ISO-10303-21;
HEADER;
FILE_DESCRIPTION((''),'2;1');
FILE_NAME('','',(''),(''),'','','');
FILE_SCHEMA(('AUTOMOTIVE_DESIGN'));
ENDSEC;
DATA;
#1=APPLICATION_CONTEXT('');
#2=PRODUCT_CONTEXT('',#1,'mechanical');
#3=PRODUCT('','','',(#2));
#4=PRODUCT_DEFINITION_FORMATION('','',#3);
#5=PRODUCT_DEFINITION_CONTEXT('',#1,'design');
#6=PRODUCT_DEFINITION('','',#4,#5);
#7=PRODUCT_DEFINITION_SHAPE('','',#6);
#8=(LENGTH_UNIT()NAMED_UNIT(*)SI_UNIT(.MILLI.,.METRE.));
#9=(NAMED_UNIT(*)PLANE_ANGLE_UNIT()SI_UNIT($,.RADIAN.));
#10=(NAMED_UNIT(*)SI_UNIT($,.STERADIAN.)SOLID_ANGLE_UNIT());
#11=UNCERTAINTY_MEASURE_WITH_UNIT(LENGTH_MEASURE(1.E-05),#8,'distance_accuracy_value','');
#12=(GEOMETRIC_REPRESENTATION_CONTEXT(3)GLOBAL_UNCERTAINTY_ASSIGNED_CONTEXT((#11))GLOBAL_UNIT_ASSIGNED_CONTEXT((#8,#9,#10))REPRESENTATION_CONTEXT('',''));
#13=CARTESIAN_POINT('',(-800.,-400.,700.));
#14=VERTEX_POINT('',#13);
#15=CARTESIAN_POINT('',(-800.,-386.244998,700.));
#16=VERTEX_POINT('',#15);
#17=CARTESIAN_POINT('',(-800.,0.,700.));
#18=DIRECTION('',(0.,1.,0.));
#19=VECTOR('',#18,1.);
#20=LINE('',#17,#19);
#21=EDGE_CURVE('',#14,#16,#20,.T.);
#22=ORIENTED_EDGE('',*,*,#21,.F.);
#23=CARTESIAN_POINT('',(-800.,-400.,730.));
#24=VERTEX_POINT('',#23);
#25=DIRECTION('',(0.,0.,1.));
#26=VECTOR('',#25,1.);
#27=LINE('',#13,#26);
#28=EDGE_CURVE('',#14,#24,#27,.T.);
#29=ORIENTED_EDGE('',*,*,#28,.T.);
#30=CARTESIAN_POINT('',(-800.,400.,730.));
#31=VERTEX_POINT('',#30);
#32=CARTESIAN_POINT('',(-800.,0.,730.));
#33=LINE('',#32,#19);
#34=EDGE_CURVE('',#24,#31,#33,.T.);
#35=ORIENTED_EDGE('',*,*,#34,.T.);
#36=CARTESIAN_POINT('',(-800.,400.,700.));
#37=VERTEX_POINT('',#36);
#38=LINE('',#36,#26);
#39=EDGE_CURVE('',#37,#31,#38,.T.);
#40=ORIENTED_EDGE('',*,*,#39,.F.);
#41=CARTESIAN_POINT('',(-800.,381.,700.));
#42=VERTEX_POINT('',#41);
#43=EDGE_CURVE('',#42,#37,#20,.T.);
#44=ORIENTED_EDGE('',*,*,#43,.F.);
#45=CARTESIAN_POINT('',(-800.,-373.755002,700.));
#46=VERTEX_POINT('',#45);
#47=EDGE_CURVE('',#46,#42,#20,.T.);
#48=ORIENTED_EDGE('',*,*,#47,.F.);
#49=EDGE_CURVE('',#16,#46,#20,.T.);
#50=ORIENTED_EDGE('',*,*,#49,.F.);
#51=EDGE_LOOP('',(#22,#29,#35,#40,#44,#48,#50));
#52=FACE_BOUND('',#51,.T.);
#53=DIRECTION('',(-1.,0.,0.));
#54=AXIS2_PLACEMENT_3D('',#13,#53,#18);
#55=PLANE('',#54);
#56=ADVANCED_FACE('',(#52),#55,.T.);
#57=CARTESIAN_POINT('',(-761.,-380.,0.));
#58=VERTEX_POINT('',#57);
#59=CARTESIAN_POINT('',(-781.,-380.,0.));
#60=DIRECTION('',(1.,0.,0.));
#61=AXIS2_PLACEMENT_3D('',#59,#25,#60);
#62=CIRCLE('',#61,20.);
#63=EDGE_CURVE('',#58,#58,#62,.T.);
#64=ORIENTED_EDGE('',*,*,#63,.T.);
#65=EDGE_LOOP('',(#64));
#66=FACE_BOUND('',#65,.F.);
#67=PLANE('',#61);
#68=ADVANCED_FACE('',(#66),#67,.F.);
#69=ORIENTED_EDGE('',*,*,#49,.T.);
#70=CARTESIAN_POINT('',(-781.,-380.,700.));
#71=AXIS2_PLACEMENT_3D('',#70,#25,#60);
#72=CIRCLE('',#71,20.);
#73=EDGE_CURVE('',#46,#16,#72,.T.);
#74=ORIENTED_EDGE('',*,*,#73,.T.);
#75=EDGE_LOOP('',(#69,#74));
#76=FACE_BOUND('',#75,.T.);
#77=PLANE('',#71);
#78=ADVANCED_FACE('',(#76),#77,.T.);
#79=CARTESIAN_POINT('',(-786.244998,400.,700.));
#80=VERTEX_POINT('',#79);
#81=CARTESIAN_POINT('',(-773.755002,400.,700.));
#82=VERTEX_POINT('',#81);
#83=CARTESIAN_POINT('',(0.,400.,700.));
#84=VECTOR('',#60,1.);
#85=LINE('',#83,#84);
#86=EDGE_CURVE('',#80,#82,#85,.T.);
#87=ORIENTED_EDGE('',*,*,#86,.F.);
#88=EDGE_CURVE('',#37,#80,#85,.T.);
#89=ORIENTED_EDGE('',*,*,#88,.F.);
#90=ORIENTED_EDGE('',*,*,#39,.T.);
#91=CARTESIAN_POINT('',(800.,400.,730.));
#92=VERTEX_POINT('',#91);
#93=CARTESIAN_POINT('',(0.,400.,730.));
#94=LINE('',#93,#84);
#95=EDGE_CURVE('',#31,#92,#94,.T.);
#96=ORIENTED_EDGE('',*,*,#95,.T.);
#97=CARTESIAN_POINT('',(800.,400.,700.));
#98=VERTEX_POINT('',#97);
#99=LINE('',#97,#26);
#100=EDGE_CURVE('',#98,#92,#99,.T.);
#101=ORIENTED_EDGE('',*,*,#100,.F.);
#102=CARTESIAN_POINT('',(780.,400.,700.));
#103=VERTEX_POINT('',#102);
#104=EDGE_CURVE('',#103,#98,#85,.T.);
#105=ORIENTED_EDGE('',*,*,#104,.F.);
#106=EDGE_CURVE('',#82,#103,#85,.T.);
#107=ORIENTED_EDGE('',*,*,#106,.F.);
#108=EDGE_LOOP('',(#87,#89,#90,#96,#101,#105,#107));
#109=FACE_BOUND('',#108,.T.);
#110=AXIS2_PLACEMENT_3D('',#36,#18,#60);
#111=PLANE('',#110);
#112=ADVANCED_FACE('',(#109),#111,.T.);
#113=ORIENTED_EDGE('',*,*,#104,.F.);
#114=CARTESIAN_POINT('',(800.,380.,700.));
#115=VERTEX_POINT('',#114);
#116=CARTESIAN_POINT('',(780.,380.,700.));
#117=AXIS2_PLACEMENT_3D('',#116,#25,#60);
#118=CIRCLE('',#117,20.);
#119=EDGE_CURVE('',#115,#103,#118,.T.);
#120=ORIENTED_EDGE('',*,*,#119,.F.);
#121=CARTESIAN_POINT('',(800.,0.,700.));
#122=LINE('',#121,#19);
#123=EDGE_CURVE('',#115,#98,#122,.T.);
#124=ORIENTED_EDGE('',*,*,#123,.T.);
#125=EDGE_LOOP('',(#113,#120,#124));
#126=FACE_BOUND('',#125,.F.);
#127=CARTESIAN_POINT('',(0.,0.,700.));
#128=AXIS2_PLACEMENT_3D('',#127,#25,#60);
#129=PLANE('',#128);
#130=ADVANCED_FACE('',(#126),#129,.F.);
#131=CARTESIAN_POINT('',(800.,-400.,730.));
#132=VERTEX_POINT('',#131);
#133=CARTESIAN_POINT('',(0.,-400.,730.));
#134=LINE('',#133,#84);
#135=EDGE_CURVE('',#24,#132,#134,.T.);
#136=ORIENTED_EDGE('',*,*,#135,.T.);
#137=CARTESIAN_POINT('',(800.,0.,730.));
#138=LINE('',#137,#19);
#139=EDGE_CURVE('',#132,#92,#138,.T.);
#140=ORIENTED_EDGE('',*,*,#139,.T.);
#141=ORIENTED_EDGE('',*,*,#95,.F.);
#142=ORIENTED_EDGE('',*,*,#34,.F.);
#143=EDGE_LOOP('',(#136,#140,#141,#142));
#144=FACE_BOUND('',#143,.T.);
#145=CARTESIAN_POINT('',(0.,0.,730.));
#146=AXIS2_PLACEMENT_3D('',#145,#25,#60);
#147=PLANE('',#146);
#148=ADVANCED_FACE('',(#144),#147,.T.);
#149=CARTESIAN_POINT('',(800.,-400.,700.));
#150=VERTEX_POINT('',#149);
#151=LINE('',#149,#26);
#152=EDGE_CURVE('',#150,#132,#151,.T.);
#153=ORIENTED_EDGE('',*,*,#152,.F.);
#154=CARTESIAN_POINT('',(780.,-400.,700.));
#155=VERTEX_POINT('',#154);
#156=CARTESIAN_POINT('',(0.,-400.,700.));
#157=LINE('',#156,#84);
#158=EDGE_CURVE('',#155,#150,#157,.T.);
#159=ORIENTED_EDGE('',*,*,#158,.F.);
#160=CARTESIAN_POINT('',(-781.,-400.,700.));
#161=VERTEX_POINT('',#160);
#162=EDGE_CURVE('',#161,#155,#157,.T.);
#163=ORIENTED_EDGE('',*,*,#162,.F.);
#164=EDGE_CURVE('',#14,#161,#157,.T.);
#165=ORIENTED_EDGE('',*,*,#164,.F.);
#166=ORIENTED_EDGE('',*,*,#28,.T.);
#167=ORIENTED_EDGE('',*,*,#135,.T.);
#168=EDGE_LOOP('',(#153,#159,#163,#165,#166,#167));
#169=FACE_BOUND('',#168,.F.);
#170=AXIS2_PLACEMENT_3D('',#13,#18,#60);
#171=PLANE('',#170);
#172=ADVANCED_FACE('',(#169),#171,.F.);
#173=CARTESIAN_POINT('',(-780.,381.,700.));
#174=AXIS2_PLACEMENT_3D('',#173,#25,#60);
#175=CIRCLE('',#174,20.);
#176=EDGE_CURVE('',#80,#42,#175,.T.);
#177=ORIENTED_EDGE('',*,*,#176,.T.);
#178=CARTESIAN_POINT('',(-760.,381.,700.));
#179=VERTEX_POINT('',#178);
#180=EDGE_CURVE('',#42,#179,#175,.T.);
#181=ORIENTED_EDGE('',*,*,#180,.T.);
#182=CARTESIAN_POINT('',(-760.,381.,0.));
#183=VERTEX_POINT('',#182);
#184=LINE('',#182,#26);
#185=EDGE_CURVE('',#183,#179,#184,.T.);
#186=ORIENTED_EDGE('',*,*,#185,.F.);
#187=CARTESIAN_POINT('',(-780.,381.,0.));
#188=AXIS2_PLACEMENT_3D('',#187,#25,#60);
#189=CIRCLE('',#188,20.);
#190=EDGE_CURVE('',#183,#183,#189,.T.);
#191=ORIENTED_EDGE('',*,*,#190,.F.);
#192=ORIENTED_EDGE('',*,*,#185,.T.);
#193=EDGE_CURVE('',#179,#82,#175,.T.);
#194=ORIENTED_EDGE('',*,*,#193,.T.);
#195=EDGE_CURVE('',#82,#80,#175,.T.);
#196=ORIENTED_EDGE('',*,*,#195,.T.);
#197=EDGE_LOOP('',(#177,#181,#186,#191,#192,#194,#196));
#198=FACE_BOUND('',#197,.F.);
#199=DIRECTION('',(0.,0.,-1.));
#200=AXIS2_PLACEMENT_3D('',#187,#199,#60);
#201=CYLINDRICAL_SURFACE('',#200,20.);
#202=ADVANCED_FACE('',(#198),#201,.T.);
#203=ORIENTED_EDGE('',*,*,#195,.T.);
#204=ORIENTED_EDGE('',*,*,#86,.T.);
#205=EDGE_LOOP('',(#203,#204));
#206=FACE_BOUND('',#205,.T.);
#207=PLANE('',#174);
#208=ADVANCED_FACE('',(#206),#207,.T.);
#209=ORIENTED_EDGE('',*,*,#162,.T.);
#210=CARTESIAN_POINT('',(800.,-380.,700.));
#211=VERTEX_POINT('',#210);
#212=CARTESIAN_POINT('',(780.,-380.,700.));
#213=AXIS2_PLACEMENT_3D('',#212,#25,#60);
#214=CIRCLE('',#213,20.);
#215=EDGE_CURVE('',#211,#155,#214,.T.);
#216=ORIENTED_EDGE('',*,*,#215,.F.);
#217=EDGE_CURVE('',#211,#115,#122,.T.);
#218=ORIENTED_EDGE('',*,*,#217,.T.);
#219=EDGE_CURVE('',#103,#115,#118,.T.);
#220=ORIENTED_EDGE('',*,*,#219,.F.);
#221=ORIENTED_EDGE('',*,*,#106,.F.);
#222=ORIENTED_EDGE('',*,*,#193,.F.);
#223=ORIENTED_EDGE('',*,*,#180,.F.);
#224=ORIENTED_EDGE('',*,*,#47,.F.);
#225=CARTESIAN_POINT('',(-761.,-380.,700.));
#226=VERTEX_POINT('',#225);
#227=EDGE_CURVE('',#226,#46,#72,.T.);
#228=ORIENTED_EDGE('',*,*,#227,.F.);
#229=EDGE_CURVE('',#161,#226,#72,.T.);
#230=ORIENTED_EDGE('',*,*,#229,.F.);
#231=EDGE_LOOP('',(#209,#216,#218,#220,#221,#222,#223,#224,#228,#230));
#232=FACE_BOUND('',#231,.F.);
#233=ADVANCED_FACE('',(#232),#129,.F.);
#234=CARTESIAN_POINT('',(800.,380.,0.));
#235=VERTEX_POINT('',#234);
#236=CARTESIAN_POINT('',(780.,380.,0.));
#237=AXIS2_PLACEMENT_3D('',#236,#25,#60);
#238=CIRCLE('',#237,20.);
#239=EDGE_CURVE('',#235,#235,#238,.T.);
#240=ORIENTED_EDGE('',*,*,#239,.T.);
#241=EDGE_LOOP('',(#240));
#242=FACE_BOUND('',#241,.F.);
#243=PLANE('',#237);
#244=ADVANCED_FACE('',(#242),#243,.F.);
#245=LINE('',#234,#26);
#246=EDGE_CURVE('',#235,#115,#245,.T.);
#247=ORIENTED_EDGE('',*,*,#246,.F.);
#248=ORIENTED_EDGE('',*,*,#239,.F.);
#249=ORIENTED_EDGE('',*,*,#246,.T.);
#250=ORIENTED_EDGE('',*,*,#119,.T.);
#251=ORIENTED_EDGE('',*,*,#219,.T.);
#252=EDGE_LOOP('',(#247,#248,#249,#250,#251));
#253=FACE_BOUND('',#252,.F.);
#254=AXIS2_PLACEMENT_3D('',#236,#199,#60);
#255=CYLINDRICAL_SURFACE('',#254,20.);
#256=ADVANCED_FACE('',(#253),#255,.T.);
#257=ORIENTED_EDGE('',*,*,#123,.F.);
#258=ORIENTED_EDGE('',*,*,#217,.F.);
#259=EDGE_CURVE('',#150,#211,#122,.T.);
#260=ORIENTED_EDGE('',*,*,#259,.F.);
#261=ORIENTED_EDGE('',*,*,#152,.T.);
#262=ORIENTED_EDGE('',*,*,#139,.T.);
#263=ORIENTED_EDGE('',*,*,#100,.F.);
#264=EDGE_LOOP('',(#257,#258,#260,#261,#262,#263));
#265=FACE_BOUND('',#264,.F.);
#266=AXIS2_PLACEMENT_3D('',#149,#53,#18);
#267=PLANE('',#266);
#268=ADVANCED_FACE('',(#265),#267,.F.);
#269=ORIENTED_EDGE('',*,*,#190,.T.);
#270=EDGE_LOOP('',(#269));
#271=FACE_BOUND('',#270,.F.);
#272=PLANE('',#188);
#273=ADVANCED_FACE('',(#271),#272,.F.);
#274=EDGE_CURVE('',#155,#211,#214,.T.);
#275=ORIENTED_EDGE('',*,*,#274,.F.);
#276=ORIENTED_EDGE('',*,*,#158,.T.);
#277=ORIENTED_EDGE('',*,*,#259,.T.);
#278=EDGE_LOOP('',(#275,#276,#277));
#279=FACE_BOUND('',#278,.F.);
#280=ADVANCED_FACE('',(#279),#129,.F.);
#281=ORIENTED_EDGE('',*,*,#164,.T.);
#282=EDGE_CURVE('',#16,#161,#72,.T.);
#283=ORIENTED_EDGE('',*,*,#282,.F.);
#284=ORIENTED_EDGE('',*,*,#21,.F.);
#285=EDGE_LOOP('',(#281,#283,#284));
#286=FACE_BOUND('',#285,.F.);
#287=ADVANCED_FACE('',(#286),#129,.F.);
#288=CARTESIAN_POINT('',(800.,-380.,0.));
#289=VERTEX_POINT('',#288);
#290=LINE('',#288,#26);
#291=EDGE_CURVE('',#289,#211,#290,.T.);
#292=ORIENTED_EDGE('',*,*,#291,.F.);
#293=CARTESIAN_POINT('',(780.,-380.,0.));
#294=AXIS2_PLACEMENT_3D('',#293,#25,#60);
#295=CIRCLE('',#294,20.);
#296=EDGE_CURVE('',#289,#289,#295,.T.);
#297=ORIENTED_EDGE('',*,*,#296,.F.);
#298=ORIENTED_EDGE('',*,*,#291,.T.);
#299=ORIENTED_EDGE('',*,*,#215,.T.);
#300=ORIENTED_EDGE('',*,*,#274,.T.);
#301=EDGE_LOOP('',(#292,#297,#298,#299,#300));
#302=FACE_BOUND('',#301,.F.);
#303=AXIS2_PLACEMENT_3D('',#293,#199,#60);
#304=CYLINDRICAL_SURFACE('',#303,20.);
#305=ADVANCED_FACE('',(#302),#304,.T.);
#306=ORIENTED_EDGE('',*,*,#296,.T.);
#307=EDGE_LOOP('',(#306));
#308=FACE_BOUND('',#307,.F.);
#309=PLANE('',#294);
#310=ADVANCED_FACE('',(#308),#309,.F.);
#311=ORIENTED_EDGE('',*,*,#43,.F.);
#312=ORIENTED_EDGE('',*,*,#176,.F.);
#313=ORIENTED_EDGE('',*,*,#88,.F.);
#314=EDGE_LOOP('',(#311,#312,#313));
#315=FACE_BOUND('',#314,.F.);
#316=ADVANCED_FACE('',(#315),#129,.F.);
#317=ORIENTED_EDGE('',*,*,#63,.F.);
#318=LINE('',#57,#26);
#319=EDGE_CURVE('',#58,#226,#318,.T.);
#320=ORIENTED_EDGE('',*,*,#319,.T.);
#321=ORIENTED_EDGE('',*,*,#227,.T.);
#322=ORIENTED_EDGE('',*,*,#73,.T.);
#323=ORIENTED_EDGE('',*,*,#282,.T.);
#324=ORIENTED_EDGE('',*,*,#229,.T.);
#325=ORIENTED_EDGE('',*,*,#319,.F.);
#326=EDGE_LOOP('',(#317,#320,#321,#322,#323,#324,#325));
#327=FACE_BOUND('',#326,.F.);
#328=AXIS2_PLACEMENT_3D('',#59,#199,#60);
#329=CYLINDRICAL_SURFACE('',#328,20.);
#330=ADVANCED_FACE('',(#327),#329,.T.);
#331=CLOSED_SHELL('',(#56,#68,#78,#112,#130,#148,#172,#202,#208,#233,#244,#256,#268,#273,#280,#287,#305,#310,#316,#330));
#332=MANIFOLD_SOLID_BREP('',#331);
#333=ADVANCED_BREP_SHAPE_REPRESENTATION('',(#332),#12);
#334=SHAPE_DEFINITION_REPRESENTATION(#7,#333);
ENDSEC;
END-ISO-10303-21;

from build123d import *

# Parameters (mm, degrees)
CYLINDER002_R     = 20
CYLINDER002_DEPTH = 700
CYLINDER001_R     = 20
CYLINDER001_DEPTH = 700
CYLINDER_R        = 20
CYLINDER_DEPTH    = 700
BOX_W             = 1600
BOX_H             = 800
BOX_DEPTH         = 30
CYLINDER003_R     = 20
CYLINDER003_DEPTH = 700


with BuildPart() as cylinder002:
    # Cylinder002 → Cylinder002 (new body)
    with BuildSketch(Plane(origin=(-780, 381, 0), x_dir=(1, 0, 0), z_dir=(0, 0, 1))):
        Circle(CYLINDER002_R)
    extrude(amount=CYLINDER002_DEPTH)


with BuildPart() as cylinder001:
    # Cylinder001 → Cylinder001 (new body)
    with BuildSketch(Plane(origin=(780, -380, 0), x_dir=(1, 0, 0), z_dir=(0, 0, 1))):
        Circle(CYLINDER001_R)
    extrude(amount=CYLINDER001_DEPTH)


with BuildPart() as cylinder:
    # Cylinder → Cylinder (new body)
    with BuildSketch(Plane(origin=(780, 380, 0), x_dir=(1, 0, 0), z_dir=(0, 0, 1))):
        Circle(CYLINDER_R)
    extrude(amount=CYLINDER_DEPTH)


with BuildPart() as cube:
    # Box → Box (new body)
    with BuildSketch(Plane(origin=(-800, -400, 700), x_dir=(1, 0, 0), z_dir=(0, 0, 1))):
        with Locations((800, 400)):
            Rectangle(BOX_W, BOX_H)
    extrude(amount=BOX_DEPTH)


with BuildPart() as fusion:
    # Cylinder003 → Cylinder003 (new body)
    with BuildSketch(Plane(origin=(-781, -380, 0), x_dir=(1, 0, 0), z_dir=(0, 0, 1))):
        Circle(CYLINDER003_R)
    extrude(amount=CYLINDER003_DEPTH)

    # Fusion: union Cylinder002, Cylinder001, Cylinder, Cube
    add(cylinder002.part)
    add(cylinder001.part)
    add(cylinder.part)
    add(cube.part)


solid = fusion.part
